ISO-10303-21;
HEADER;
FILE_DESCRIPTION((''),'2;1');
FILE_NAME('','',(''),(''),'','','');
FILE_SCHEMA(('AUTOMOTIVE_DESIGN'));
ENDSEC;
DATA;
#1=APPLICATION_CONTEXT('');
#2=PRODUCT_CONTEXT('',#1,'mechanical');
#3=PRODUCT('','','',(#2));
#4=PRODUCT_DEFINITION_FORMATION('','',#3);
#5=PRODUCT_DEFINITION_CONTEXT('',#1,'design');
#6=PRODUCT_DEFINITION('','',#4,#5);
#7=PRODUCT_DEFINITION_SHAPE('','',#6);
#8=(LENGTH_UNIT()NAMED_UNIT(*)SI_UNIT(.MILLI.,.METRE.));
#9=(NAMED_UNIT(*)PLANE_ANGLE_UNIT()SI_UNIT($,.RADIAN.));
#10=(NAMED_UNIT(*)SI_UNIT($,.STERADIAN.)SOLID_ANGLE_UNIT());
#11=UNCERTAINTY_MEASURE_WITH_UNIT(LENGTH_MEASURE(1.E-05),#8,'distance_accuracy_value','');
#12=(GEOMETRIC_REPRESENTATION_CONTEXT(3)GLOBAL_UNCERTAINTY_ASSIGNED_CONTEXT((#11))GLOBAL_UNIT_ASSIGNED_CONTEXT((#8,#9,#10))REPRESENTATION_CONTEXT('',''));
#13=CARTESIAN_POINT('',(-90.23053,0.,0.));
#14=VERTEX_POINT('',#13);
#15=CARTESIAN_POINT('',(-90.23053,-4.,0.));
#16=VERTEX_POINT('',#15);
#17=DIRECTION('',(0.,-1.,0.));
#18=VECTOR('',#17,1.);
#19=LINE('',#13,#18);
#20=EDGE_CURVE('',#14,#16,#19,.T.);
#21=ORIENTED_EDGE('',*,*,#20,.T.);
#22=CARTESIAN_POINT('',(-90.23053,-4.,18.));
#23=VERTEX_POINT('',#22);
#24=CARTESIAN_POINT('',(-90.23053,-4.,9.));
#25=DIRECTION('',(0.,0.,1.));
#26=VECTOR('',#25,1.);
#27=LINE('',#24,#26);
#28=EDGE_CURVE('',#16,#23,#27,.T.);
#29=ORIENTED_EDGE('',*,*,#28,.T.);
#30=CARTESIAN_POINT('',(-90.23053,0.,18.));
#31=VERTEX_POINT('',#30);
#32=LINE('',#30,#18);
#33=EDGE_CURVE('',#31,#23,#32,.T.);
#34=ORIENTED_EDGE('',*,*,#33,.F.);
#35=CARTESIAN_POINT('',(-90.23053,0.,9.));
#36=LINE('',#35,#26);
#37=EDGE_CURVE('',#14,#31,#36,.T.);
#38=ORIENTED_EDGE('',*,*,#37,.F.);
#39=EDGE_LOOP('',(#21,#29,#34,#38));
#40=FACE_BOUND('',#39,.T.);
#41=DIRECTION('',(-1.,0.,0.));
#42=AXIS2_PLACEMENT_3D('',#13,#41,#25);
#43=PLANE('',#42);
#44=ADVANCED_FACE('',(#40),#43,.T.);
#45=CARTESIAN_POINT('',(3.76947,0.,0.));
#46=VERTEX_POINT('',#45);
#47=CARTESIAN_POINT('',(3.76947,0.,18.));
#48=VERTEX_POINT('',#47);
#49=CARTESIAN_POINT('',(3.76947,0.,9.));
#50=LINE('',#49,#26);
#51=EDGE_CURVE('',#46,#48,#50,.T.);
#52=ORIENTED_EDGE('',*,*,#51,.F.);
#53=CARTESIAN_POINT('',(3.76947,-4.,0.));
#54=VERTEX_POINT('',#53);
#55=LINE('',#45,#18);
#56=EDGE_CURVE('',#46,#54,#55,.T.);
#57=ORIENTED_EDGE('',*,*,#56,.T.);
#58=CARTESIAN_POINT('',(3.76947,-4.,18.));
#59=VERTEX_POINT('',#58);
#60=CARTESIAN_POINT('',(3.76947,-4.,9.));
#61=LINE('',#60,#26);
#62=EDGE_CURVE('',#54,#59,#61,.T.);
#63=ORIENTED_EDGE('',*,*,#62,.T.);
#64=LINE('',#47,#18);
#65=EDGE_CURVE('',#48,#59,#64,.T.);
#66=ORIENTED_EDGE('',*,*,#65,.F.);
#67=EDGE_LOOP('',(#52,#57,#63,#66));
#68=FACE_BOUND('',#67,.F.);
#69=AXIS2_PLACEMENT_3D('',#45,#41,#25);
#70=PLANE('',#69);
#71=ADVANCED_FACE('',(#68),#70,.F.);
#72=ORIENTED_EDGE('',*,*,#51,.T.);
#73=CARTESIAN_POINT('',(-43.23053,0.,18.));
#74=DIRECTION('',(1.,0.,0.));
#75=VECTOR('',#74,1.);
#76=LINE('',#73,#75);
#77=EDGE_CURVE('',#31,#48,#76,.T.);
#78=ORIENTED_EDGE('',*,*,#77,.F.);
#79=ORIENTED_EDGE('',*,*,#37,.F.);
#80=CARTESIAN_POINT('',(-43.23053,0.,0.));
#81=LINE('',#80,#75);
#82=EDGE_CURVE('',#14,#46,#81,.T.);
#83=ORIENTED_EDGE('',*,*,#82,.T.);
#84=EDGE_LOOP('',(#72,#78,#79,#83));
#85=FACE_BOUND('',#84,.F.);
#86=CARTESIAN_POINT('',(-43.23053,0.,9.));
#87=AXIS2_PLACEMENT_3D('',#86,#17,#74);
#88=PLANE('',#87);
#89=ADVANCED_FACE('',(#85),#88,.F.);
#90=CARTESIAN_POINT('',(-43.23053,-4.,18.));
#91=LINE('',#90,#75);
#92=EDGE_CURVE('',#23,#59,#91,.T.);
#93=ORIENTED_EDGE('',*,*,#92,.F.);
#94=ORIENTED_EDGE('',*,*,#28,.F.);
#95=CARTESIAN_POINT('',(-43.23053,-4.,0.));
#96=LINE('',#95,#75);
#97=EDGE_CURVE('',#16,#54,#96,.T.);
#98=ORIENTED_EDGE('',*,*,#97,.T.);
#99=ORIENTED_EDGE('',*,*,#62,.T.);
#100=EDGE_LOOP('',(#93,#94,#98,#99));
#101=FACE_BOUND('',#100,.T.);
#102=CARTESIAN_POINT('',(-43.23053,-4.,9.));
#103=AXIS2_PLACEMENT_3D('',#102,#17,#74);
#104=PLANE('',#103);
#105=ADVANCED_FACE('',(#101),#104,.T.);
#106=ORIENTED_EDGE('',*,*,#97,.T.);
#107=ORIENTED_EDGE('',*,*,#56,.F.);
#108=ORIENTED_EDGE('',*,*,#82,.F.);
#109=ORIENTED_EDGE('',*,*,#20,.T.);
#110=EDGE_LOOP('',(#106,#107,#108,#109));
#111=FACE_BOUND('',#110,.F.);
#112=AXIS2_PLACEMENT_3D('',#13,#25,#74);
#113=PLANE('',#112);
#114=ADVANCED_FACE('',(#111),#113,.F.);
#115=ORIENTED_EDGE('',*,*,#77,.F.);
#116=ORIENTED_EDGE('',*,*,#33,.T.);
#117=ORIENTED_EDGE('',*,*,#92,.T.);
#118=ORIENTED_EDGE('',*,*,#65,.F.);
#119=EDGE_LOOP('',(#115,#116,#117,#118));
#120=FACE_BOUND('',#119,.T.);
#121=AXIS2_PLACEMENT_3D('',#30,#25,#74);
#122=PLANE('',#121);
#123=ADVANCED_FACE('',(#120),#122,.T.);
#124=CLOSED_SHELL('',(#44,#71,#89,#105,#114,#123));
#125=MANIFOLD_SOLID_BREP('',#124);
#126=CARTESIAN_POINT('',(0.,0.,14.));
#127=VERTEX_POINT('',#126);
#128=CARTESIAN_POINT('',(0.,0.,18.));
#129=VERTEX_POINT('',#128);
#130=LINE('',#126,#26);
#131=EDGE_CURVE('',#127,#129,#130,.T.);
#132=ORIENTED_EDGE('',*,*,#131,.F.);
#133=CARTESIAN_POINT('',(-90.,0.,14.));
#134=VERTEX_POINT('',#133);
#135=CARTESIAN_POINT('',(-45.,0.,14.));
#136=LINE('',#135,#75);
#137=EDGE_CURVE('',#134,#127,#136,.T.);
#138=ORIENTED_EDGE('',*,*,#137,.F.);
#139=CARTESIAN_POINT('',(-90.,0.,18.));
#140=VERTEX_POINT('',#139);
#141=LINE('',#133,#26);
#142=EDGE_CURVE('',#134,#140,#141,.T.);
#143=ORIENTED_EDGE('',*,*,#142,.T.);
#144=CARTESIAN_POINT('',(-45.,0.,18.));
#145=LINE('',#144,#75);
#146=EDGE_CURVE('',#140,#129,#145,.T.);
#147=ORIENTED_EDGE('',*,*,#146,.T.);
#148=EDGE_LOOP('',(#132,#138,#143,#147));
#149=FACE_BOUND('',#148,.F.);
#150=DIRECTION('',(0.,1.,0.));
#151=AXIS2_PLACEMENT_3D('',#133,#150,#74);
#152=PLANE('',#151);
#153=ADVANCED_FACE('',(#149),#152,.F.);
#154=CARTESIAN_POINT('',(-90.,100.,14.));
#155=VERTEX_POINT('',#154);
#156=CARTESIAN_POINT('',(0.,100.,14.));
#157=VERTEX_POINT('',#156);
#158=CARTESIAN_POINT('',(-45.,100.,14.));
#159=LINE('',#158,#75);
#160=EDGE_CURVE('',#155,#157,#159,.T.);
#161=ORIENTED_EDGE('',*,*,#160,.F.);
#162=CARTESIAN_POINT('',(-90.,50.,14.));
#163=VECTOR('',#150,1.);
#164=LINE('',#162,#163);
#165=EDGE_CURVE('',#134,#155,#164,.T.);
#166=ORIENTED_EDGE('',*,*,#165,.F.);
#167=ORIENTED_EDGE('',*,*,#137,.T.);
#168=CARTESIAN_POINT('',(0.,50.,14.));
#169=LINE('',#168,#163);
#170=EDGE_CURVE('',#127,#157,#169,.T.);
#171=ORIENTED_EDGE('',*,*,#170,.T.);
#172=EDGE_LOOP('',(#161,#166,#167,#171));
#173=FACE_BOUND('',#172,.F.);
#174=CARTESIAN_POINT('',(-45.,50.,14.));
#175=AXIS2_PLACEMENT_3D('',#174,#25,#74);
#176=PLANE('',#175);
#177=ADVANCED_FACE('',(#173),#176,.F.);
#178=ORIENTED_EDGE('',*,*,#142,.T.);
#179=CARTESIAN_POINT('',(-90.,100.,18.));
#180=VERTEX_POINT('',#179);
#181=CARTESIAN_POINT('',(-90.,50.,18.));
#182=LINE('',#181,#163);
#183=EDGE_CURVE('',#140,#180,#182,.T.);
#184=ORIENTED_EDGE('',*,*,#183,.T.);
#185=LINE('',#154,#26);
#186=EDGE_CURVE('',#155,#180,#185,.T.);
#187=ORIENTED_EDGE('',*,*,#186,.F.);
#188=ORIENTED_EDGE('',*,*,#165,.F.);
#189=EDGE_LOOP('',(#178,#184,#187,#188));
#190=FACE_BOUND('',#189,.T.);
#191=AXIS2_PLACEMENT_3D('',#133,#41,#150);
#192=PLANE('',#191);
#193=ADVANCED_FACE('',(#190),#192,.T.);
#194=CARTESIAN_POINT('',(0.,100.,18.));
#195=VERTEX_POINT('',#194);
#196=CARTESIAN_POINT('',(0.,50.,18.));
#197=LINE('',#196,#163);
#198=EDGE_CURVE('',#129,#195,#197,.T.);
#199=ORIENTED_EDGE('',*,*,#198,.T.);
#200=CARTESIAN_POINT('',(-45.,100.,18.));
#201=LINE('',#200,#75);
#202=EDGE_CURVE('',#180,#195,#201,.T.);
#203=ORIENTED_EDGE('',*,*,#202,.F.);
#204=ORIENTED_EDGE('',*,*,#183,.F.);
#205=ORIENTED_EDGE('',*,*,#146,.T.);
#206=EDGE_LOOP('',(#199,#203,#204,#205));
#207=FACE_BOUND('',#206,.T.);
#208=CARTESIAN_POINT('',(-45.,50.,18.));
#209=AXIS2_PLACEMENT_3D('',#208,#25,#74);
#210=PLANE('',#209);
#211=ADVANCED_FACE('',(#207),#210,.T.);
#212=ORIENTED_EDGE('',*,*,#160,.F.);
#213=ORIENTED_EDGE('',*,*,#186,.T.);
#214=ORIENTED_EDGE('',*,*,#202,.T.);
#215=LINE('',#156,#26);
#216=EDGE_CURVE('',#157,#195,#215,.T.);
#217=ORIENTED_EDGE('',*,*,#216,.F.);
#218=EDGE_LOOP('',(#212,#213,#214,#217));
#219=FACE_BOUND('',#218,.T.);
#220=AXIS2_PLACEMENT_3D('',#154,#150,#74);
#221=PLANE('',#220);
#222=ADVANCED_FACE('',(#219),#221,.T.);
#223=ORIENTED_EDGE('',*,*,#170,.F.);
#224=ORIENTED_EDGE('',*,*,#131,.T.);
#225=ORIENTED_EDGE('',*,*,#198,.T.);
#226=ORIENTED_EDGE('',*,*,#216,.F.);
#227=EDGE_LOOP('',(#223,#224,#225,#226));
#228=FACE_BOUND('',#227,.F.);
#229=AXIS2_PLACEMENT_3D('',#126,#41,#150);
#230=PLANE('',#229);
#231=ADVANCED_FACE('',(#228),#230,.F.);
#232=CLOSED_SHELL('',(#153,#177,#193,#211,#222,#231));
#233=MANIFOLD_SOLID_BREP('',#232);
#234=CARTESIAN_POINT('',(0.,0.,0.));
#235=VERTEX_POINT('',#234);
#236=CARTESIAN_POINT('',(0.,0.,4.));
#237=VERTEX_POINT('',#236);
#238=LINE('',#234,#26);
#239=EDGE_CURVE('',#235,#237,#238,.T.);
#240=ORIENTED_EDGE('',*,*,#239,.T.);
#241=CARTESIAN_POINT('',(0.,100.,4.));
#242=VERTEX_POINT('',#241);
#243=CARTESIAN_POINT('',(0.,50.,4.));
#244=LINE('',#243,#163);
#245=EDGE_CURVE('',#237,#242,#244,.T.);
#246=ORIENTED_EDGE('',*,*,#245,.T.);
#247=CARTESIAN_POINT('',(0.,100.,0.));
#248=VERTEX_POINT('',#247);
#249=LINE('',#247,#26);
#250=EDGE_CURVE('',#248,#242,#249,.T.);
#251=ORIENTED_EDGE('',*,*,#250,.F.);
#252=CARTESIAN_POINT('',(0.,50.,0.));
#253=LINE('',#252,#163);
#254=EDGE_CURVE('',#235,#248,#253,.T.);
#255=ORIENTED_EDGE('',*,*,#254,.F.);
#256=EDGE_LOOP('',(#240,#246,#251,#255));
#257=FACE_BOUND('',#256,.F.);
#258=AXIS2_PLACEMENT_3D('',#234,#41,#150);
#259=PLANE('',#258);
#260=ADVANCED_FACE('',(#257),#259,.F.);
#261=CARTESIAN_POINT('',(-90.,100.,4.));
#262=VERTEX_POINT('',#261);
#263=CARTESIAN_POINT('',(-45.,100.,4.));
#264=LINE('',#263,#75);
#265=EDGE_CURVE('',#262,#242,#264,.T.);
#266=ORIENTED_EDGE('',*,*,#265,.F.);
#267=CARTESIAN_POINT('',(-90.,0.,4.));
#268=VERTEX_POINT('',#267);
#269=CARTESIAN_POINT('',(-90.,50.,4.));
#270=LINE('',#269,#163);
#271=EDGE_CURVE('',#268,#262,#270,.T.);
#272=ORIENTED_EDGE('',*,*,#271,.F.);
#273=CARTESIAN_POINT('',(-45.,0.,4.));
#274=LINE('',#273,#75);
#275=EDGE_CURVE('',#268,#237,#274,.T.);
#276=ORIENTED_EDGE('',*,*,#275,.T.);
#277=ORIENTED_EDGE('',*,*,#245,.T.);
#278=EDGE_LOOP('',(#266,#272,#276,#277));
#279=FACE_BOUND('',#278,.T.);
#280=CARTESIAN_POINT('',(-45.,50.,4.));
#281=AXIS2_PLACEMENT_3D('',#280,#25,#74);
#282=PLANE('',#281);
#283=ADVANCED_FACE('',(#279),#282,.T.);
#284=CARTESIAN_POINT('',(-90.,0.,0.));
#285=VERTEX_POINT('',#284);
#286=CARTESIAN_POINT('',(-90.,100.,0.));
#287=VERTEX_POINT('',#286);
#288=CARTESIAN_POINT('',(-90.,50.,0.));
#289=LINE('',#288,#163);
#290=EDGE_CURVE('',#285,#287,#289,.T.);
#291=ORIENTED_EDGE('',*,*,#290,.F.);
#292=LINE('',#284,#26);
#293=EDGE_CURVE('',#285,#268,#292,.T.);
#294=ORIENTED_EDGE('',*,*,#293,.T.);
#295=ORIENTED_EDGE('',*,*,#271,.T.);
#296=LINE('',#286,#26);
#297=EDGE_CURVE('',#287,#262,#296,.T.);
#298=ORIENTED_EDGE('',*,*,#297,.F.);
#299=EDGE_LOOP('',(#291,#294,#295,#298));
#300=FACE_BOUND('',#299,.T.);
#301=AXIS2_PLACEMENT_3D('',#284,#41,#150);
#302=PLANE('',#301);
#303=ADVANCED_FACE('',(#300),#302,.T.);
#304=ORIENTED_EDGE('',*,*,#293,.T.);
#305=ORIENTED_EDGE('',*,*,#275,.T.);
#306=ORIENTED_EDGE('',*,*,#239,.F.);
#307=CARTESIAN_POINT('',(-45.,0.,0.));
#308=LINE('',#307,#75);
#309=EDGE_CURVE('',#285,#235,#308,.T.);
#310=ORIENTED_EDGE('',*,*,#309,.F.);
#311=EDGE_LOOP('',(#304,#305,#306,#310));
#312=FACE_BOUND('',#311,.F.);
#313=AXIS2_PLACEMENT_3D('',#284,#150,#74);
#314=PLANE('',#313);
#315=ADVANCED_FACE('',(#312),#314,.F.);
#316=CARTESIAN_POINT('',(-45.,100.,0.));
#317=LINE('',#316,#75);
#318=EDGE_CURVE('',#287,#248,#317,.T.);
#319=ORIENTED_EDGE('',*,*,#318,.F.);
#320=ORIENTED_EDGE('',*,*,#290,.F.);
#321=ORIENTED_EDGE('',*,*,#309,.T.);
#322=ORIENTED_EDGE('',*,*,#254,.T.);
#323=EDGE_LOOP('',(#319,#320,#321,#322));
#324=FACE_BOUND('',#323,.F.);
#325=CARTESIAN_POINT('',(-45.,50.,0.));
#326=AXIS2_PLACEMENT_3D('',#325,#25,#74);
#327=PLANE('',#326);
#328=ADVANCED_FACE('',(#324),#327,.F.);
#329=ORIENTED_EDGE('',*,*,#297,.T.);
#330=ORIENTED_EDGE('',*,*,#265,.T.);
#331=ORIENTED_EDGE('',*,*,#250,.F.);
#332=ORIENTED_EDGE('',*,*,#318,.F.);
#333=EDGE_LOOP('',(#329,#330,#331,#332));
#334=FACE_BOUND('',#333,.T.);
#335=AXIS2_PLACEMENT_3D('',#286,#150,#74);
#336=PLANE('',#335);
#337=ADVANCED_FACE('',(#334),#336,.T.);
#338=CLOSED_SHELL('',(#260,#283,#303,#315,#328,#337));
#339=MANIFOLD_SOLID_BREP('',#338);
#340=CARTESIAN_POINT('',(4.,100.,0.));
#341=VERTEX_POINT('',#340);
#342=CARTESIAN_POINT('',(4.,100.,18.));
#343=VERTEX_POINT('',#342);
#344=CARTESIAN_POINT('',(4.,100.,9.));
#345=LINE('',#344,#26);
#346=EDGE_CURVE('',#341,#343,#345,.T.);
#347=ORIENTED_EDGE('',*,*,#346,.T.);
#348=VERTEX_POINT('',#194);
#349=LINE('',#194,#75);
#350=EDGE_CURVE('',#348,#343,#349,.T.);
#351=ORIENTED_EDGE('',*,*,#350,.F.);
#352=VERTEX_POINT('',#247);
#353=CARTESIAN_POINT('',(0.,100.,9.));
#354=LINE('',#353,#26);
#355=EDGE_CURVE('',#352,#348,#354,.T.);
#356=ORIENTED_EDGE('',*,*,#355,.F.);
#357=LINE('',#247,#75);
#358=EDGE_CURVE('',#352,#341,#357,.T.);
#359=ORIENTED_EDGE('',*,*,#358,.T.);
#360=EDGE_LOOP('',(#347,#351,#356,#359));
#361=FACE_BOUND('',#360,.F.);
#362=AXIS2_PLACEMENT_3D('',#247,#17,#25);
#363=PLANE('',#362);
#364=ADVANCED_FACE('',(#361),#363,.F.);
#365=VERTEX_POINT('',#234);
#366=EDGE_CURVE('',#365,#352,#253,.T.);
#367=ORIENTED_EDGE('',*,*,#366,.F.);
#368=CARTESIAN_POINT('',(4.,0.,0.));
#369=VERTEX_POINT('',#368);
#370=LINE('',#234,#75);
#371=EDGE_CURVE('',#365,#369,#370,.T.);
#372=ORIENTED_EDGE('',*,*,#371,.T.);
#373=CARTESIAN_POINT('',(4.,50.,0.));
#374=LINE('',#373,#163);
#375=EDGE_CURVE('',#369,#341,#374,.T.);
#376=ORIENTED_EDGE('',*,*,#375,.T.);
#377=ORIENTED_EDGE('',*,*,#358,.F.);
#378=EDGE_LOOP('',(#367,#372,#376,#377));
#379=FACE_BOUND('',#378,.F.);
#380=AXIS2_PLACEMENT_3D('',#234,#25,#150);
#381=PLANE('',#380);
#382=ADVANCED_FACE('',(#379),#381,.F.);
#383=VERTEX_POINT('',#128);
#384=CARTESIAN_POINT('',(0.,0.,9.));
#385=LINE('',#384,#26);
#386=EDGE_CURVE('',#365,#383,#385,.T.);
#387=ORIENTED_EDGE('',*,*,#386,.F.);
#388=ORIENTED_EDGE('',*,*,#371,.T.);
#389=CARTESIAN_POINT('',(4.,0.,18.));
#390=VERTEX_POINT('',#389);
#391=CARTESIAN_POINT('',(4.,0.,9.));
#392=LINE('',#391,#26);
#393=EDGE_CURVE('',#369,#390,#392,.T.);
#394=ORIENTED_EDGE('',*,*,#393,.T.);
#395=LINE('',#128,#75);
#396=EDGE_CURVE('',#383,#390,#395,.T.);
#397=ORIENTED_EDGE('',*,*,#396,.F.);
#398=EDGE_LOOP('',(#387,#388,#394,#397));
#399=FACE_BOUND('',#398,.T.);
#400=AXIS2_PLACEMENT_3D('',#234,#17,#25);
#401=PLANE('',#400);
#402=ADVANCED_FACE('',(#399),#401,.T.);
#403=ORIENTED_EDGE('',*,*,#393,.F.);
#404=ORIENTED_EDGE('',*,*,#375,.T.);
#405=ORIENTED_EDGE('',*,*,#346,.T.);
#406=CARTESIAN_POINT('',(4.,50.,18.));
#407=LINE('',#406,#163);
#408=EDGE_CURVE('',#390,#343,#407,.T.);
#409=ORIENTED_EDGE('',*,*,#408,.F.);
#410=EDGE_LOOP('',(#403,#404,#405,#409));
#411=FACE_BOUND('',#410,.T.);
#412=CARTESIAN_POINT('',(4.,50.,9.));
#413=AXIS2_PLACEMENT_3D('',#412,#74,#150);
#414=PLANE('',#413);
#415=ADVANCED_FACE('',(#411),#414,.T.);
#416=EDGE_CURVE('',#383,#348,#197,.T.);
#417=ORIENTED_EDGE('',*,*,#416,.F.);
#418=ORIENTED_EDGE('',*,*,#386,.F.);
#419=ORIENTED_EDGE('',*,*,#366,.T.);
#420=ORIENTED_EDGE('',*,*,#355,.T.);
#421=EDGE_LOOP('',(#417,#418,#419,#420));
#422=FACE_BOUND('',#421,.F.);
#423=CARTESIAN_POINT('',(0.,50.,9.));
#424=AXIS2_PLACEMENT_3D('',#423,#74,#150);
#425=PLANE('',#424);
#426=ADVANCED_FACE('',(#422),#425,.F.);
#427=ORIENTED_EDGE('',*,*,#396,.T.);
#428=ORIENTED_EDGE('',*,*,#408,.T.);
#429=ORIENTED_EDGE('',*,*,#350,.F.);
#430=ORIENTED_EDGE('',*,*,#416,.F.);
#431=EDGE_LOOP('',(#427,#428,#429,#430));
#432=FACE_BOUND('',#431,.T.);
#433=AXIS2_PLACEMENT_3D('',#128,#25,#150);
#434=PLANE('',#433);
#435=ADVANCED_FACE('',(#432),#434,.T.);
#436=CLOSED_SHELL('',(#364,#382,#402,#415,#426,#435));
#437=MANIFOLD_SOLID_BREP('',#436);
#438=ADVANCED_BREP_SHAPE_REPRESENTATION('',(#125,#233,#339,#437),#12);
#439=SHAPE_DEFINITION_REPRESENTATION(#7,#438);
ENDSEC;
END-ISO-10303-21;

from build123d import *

# Parameters (mm, degrees)
F0_W     = 90
F0_H     = 100
F1_DEPTH = 4
F3_W     = 90
F3_H     = 100
F4_DEPTH = 4
F5_W     = 100
F5_H     = 18
F6_DEPTH = 4
F7_W     = 94
F7_H     = 18
F8_DEPTH = 4


with BuildPart() as f1:
    # F0 (on Top) → F1 (new body)
    with BuildSketch(Plane.XY):
        with Locations((-45, 50)):
            Rectangle(F0_W, F0_H)
    extrude(amount=F1_DEPTH)


with BuildPart() as f4:
    # F3 (on offset) → F4 (new body)
    with BuildSketch(Plane.XY.offset(14)):
        with Locations((-45, 50)):
            Rectangle(F3_W, F3_H)
    extrude(amount=F4_DEPTH)


with BuildPart() as f6:
    # F5 (on Right) → F6 (new body)
    with BuildSketch(Plane.YZ):
        with Locations((50, 9)):
            Rectangle(F5_W, F5_H)
    extrude(amount=F6_DEPTH)


with BuildPart() as f8:
    # F7 (on Front) → F8 (new body)
    with BuildSketch(Plane.XZ):
        with Locations((-43.2305304807, 9)):
            Rectangle(F7_W, F7_H)
    extrude(amount=F8_DEPTH)


solid = Compound([f1.part, f4.part, f6.part, f8.part])
